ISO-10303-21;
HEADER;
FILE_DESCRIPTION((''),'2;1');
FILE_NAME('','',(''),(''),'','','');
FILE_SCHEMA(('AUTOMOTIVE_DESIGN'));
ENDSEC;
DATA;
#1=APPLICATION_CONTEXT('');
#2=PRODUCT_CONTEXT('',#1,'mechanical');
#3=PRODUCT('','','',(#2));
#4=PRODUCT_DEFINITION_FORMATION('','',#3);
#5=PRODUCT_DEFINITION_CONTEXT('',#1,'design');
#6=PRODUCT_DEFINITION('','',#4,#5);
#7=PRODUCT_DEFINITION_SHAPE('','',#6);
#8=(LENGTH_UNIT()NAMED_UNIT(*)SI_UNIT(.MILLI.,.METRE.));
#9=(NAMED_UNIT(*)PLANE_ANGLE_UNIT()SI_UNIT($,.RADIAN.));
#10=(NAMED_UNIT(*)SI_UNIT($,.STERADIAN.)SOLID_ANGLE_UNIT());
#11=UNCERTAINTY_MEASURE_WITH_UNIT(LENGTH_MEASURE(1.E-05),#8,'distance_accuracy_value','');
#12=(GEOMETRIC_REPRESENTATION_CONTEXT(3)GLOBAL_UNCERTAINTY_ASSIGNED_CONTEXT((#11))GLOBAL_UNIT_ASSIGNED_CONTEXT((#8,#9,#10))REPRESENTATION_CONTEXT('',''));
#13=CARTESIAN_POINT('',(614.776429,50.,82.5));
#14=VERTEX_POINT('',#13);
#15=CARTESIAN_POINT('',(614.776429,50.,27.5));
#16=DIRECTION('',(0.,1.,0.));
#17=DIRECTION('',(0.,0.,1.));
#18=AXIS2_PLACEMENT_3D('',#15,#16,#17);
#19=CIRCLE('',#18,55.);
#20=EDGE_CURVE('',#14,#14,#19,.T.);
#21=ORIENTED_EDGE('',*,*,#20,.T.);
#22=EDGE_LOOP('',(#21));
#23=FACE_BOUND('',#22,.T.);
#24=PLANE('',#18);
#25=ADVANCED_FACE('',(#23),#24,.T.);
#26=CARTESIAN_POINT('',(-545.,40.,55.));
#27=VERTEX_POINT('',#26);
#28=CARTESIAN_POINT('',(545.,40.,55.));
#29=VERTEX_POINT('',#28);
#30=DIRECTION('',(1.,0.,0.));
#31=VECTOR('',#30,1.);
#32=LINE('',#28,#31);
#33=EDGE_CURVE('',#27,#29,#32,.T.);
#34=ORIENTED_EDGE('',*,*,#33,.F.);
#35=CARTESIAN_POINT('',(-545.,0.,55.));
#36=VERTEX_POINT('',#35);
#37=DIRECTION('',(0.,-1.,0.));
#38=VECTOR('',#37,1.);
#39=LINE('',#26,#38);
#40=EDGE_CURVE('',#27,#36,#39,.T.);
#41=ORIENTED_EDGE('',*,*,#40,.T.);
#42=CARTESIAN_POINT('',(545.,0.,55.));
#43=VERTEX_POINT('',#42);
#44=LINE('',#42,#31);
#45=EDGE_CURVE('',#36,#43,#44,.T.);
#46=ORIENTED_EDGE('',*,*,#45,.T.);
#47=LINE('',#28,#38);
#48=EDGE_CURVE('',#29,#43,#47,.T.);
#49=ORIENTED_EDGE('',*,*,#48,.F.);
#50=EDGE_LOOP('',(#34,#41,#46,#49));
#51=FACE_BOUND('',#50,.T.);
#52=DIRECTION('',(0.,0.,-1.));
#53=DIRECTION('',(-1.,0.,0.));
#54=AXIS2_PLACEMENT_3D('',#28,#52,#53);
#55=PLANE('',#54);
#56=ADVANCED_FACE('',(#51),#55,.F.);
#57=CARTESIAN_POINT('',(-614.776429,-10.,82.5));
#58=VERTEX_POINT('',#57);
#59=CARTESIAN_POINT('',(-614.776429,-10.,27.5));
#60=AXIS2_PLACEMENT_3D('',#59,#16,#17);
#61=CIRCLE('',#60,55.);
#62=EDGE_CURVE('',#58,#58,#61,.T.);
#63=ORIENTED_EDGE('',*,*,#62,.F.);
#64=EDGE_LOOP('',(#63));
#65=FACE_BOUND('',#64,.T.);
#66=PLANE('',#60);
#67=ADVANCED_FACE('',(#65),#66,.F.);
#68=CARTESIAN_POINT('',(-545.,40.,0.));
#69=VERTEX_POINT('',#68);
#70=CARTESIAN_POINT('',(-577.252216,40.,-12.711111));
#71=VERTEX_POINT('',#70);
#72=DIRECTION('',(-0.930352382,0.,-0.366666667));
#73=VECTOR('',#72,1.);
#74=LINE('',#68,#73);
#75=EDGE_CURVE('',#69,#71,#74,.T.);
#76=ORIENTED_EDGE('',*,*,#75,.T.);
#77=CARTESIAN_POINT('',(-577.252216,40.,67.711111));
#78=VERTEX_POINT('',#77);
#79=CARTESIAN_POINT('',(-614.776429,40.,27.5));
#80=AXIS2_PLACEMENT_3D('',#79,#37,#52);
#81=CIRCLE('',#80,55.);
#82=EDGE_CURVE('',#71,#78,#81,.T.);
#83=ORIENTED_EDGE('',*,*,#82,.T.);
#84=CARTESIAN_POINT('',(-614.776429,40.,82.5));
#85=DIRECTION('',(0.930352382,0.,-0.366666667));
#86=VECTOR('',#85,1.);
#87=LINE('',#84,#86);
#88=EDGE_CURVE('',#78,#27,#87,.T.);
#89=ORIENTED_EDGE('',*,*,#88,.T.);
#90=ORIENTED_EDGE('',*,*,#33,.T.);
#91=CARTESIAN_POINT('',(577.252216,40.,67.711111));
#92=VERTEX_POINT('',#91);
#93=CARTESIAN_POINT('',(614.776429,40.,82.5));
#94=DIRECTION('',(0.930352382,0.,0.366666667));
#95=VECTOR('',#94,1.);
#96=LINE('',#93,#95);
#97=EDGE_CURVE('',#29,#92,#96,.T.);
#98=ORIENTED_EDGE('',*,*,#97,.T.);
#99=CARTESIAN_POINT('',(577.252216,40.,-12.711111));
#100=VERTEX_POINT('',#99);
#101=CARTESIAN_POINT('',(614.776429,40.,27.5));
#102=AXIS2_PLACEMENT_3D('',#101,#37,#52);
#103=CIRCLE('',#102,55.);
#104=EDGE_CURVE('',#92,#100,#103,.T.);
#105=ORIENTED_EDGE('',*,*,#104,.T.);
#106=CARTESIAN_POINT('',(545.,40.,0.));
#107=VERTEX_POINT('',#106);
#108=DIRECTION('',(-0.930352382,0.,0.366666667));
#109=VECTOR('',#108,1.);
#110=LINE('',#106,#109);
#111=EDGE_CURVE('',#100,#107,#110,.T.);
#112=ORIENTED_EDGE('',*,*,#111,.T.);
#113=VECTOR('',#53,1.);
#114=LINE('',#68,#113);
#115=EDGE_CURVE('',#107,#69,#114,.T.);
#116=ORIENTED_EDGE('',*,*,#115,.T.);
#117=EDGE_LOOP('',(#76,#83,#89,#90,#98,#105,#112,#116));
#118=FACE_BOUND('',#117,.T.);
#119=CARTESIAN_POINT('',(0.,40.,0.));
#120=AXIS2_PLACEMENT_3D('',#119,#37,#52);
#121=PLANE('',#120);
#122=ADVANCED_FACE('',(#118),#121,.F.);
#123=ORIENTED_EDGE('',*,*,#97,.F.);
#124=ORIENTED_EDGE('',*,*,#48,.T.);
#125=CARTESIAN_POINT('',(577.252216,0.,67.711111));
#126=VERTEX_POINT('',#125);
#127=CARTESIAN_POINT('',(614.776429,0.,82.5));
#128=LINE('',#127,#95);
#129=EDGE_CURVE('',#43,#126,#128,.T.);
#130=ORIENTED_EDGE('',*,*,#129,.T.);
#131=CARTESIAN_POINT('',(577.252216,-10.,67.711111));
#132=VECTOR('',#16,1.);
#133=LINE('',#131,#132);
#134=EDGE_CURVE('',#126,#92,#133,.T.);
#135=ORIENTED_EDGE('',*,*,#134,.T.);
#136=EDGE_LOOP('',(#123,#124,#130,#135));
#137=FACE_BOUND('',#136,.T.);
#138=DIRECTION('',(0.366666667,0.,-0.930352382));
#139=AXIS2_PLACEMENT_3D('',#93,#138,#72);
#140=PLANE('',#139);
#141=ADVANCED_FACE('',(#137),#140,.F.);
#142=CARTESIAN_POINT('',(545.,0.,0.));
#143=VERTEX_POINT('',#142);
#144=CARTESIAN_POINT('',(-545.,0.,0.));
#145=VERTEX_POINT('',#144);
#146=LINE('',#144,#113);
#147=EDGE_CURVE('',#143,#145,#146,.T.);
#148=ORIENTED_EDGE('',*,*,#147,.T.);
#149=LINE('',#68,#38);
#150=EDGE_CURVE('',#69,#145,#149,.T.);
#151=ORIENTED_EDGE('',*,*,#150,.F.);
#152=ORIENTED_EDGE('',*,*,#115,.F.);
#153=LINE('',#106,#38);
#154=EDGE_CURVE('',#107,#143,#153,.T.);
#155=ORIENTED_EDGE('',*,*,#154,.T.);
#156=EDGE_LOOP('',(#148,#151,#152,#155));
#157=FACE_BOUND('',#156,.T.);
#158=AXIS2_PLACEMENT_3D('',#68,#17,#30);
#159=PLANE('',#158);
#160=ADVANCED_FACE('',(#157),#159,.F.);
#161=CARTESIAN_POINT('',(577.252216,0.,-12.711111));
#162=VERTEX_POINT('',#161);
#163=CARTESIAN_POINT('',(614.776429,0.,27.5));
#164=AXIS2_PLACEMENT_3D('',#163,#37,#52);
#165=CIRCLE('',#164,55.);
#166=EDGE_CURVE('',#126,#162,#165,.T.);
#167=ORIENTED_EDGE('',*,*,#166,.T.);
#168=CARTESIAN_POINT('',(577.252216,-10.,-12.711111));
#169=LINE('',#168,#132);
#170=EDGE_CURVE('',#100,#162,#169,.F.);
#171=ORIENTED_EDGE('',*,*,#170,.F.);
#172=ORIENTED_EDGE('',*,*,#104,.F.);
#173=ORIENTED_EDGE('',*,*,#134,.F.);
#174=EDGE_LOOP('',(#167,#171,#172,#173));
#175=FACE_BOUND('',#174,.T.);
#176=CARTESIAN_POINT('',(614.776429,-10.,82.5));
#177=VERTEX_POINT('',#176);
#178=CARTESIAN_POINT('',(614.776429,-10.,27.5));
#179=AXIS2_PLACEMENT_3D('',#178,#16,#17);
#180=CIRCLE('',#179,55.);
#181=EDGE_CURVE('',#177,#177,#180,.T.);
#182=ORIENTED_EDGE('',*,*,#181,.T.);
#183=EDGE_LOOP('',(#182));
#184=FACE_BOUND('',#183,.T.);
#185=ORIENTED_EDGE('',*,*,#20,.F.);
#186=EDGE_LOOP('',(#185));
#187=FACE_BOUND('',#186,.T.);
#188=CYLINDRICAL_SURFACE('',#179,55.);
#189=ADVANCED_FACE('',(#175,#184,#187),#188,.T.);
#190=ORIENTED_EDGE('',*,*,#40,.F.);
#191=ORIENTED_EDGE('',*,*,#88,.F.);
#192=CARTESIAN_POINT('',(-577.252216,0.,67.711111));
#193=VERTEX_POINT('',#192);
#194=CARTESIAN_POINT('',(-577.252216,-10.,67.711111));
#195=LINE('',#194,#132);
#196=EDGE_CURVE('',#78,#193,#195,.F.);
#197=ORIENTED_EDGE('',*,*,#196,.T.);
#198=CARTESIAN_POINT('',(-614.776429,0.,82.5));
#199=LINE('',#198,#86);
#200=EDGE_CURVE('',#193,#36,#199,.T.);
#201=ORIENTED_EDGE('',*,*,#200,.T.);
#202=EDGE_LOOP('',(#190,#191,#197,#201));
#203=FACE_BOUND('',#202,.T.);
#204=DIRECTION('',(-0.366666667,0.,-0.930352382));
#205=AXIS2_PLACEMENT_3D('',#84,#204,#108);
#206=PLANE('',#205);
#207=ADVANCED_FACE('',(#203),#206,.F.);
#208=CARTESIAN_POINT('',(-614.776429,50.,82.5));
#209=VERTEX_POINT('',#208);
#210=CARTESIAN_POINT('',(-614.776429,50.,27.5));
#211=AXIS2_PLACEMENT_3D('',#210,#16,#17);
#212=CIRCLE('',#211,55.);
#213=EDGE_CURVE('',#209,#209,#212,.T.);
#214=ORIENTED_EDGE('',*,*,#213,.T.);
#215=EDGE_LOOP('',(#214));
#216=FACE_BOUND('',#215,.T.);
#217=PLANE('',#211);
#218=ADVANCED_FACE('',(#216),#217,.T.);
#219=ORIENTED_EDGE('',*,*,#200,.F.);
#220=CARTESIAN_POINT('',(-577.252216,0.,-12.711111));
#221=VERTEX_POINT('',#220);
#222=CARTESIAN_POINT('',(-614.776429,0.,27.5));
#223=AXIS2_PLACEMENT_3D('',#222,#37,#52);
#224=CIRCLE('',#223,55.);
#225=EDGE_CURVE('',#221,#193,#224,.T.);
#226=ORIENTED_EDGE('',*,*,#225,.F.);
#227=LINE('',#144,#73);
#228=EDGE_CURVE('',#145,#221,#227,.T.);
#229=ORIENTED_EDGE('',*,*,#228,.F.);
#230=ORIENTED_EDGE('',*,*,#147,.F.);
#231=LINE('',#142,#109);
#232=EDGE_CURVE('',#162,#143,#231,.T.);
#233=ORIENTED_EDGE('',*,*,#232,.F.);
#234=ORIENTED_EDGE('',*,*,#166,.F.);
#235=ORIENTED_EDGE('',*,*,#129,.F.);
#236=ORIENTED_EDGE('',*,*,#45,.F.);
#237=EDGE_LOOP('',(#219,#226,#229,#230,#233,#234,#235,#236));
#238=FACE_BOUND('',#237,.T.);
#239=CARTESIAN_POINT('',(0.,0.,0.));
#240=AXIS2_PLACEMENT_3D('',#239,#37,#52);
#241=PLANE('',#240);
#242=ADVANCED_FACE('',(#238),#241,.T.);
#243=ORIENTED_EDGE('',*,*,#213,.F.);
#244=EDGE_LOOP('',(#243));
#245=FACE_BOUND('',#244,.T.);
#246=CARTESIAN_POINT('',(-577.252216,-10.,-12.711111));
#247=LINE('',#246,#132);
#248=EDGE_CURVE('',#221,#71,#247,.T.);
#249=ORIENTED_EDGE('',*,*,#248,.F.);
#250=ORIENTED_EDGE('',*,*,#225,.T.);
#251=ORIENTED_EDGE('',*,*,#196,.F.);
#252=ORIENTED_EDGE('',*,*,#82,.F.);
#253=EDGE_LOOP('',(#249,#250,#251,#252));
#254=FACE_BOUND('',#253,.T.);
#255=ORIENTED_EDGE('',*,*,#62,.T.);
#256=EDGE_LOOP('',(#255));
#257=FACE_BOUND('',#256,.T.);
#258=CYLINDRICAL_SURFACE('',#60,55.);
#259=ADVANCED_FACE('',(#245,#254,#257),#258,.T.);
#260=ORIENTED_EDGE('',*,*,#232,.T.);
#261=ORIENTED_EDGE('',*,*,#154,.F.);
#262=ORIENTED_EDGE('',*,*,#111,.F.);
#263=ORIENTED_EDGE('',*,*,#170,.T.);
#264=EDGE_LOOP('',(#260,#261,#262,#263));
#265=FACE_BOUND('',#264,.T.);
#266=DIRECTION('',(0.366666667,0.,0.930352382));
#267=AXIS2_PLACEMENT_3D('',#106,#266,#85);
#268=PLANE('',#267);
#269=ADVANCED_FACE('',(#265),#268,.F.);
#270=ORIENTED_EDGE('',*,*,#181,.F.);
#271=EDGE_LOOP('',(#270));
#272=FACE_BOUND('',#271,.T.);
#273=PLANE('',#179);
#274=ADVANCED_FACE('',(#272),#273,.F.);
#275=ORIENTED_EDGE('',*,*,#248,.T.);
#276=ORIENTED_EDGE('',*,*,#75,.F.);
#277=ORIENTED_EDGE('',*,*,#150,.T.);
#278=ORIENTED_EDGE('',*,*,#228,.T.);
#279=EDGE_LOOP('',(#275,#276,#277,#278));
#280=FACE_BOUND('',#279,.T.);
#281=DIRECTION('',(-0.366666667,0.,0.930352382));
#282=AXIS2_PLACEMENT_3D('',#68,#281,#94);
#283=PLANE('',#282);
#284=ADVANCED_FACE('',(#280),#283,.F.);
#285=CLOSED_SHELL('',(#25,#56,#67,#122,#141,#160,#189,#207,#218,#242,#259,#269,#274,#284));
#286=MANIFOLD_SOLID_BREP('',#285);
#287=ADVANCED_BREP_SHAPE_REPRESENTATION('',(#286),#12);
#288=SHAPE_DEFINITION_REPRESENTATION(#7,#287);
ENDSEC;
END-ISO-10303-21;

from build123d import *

# Parameters (mm, degrees)
BOSS_EXTRUDE1_DEPTH      = 40
BOSS_EXTRUDE2_DEPTH      = 10
BOSS_EXTRUDE2_DEPTH_BACK = 50
SKETCH3_R                = 55


with BuildPart() as part:
    # Sketch2 → Boss-Extrude1 (new body)
    with BuildSketch(Plane(origin=(0, 0, 0), x_dir=(1, 0, 0), z_dir=(0, 1, 0))):
        Polygon((-545, 0), (545, 0), (614.776428685, 27.5), (614.776428685, -82.5), (545, -55), (-545, -55), (-614.776428685, -82.5), (-614.776428685, 27.5), align=None)
    extrude(amount=BOSS_EXTRUDE1_DEPTH)

    # Sketch3 → Boss-Extrude2 (add, two sides: drawn at the far end of the back side and taken through both)
    with BuildSketch(Plane(origin=(0, 40, 0), x_dir=(1, 0, 0), z_dir=(0, 1, 0)).offset(-BOSS_EXTRUDE2_DEPTH_BACK)):
        with Locations(Location((-614.776428685, -27.5, 0), (0, 0, 270))):
            Circle(SKETCH3_R)
        with Locations(Location((614.776428685, -27.5, 0), (0, 0, 270))):
            Circle(SKETCH3_R)
    extrude(amount=BOSS_EXTRUDE2_DEPTH + BOSS_EXTRUDE2_DEPTH_BACK)


solid = part.part
